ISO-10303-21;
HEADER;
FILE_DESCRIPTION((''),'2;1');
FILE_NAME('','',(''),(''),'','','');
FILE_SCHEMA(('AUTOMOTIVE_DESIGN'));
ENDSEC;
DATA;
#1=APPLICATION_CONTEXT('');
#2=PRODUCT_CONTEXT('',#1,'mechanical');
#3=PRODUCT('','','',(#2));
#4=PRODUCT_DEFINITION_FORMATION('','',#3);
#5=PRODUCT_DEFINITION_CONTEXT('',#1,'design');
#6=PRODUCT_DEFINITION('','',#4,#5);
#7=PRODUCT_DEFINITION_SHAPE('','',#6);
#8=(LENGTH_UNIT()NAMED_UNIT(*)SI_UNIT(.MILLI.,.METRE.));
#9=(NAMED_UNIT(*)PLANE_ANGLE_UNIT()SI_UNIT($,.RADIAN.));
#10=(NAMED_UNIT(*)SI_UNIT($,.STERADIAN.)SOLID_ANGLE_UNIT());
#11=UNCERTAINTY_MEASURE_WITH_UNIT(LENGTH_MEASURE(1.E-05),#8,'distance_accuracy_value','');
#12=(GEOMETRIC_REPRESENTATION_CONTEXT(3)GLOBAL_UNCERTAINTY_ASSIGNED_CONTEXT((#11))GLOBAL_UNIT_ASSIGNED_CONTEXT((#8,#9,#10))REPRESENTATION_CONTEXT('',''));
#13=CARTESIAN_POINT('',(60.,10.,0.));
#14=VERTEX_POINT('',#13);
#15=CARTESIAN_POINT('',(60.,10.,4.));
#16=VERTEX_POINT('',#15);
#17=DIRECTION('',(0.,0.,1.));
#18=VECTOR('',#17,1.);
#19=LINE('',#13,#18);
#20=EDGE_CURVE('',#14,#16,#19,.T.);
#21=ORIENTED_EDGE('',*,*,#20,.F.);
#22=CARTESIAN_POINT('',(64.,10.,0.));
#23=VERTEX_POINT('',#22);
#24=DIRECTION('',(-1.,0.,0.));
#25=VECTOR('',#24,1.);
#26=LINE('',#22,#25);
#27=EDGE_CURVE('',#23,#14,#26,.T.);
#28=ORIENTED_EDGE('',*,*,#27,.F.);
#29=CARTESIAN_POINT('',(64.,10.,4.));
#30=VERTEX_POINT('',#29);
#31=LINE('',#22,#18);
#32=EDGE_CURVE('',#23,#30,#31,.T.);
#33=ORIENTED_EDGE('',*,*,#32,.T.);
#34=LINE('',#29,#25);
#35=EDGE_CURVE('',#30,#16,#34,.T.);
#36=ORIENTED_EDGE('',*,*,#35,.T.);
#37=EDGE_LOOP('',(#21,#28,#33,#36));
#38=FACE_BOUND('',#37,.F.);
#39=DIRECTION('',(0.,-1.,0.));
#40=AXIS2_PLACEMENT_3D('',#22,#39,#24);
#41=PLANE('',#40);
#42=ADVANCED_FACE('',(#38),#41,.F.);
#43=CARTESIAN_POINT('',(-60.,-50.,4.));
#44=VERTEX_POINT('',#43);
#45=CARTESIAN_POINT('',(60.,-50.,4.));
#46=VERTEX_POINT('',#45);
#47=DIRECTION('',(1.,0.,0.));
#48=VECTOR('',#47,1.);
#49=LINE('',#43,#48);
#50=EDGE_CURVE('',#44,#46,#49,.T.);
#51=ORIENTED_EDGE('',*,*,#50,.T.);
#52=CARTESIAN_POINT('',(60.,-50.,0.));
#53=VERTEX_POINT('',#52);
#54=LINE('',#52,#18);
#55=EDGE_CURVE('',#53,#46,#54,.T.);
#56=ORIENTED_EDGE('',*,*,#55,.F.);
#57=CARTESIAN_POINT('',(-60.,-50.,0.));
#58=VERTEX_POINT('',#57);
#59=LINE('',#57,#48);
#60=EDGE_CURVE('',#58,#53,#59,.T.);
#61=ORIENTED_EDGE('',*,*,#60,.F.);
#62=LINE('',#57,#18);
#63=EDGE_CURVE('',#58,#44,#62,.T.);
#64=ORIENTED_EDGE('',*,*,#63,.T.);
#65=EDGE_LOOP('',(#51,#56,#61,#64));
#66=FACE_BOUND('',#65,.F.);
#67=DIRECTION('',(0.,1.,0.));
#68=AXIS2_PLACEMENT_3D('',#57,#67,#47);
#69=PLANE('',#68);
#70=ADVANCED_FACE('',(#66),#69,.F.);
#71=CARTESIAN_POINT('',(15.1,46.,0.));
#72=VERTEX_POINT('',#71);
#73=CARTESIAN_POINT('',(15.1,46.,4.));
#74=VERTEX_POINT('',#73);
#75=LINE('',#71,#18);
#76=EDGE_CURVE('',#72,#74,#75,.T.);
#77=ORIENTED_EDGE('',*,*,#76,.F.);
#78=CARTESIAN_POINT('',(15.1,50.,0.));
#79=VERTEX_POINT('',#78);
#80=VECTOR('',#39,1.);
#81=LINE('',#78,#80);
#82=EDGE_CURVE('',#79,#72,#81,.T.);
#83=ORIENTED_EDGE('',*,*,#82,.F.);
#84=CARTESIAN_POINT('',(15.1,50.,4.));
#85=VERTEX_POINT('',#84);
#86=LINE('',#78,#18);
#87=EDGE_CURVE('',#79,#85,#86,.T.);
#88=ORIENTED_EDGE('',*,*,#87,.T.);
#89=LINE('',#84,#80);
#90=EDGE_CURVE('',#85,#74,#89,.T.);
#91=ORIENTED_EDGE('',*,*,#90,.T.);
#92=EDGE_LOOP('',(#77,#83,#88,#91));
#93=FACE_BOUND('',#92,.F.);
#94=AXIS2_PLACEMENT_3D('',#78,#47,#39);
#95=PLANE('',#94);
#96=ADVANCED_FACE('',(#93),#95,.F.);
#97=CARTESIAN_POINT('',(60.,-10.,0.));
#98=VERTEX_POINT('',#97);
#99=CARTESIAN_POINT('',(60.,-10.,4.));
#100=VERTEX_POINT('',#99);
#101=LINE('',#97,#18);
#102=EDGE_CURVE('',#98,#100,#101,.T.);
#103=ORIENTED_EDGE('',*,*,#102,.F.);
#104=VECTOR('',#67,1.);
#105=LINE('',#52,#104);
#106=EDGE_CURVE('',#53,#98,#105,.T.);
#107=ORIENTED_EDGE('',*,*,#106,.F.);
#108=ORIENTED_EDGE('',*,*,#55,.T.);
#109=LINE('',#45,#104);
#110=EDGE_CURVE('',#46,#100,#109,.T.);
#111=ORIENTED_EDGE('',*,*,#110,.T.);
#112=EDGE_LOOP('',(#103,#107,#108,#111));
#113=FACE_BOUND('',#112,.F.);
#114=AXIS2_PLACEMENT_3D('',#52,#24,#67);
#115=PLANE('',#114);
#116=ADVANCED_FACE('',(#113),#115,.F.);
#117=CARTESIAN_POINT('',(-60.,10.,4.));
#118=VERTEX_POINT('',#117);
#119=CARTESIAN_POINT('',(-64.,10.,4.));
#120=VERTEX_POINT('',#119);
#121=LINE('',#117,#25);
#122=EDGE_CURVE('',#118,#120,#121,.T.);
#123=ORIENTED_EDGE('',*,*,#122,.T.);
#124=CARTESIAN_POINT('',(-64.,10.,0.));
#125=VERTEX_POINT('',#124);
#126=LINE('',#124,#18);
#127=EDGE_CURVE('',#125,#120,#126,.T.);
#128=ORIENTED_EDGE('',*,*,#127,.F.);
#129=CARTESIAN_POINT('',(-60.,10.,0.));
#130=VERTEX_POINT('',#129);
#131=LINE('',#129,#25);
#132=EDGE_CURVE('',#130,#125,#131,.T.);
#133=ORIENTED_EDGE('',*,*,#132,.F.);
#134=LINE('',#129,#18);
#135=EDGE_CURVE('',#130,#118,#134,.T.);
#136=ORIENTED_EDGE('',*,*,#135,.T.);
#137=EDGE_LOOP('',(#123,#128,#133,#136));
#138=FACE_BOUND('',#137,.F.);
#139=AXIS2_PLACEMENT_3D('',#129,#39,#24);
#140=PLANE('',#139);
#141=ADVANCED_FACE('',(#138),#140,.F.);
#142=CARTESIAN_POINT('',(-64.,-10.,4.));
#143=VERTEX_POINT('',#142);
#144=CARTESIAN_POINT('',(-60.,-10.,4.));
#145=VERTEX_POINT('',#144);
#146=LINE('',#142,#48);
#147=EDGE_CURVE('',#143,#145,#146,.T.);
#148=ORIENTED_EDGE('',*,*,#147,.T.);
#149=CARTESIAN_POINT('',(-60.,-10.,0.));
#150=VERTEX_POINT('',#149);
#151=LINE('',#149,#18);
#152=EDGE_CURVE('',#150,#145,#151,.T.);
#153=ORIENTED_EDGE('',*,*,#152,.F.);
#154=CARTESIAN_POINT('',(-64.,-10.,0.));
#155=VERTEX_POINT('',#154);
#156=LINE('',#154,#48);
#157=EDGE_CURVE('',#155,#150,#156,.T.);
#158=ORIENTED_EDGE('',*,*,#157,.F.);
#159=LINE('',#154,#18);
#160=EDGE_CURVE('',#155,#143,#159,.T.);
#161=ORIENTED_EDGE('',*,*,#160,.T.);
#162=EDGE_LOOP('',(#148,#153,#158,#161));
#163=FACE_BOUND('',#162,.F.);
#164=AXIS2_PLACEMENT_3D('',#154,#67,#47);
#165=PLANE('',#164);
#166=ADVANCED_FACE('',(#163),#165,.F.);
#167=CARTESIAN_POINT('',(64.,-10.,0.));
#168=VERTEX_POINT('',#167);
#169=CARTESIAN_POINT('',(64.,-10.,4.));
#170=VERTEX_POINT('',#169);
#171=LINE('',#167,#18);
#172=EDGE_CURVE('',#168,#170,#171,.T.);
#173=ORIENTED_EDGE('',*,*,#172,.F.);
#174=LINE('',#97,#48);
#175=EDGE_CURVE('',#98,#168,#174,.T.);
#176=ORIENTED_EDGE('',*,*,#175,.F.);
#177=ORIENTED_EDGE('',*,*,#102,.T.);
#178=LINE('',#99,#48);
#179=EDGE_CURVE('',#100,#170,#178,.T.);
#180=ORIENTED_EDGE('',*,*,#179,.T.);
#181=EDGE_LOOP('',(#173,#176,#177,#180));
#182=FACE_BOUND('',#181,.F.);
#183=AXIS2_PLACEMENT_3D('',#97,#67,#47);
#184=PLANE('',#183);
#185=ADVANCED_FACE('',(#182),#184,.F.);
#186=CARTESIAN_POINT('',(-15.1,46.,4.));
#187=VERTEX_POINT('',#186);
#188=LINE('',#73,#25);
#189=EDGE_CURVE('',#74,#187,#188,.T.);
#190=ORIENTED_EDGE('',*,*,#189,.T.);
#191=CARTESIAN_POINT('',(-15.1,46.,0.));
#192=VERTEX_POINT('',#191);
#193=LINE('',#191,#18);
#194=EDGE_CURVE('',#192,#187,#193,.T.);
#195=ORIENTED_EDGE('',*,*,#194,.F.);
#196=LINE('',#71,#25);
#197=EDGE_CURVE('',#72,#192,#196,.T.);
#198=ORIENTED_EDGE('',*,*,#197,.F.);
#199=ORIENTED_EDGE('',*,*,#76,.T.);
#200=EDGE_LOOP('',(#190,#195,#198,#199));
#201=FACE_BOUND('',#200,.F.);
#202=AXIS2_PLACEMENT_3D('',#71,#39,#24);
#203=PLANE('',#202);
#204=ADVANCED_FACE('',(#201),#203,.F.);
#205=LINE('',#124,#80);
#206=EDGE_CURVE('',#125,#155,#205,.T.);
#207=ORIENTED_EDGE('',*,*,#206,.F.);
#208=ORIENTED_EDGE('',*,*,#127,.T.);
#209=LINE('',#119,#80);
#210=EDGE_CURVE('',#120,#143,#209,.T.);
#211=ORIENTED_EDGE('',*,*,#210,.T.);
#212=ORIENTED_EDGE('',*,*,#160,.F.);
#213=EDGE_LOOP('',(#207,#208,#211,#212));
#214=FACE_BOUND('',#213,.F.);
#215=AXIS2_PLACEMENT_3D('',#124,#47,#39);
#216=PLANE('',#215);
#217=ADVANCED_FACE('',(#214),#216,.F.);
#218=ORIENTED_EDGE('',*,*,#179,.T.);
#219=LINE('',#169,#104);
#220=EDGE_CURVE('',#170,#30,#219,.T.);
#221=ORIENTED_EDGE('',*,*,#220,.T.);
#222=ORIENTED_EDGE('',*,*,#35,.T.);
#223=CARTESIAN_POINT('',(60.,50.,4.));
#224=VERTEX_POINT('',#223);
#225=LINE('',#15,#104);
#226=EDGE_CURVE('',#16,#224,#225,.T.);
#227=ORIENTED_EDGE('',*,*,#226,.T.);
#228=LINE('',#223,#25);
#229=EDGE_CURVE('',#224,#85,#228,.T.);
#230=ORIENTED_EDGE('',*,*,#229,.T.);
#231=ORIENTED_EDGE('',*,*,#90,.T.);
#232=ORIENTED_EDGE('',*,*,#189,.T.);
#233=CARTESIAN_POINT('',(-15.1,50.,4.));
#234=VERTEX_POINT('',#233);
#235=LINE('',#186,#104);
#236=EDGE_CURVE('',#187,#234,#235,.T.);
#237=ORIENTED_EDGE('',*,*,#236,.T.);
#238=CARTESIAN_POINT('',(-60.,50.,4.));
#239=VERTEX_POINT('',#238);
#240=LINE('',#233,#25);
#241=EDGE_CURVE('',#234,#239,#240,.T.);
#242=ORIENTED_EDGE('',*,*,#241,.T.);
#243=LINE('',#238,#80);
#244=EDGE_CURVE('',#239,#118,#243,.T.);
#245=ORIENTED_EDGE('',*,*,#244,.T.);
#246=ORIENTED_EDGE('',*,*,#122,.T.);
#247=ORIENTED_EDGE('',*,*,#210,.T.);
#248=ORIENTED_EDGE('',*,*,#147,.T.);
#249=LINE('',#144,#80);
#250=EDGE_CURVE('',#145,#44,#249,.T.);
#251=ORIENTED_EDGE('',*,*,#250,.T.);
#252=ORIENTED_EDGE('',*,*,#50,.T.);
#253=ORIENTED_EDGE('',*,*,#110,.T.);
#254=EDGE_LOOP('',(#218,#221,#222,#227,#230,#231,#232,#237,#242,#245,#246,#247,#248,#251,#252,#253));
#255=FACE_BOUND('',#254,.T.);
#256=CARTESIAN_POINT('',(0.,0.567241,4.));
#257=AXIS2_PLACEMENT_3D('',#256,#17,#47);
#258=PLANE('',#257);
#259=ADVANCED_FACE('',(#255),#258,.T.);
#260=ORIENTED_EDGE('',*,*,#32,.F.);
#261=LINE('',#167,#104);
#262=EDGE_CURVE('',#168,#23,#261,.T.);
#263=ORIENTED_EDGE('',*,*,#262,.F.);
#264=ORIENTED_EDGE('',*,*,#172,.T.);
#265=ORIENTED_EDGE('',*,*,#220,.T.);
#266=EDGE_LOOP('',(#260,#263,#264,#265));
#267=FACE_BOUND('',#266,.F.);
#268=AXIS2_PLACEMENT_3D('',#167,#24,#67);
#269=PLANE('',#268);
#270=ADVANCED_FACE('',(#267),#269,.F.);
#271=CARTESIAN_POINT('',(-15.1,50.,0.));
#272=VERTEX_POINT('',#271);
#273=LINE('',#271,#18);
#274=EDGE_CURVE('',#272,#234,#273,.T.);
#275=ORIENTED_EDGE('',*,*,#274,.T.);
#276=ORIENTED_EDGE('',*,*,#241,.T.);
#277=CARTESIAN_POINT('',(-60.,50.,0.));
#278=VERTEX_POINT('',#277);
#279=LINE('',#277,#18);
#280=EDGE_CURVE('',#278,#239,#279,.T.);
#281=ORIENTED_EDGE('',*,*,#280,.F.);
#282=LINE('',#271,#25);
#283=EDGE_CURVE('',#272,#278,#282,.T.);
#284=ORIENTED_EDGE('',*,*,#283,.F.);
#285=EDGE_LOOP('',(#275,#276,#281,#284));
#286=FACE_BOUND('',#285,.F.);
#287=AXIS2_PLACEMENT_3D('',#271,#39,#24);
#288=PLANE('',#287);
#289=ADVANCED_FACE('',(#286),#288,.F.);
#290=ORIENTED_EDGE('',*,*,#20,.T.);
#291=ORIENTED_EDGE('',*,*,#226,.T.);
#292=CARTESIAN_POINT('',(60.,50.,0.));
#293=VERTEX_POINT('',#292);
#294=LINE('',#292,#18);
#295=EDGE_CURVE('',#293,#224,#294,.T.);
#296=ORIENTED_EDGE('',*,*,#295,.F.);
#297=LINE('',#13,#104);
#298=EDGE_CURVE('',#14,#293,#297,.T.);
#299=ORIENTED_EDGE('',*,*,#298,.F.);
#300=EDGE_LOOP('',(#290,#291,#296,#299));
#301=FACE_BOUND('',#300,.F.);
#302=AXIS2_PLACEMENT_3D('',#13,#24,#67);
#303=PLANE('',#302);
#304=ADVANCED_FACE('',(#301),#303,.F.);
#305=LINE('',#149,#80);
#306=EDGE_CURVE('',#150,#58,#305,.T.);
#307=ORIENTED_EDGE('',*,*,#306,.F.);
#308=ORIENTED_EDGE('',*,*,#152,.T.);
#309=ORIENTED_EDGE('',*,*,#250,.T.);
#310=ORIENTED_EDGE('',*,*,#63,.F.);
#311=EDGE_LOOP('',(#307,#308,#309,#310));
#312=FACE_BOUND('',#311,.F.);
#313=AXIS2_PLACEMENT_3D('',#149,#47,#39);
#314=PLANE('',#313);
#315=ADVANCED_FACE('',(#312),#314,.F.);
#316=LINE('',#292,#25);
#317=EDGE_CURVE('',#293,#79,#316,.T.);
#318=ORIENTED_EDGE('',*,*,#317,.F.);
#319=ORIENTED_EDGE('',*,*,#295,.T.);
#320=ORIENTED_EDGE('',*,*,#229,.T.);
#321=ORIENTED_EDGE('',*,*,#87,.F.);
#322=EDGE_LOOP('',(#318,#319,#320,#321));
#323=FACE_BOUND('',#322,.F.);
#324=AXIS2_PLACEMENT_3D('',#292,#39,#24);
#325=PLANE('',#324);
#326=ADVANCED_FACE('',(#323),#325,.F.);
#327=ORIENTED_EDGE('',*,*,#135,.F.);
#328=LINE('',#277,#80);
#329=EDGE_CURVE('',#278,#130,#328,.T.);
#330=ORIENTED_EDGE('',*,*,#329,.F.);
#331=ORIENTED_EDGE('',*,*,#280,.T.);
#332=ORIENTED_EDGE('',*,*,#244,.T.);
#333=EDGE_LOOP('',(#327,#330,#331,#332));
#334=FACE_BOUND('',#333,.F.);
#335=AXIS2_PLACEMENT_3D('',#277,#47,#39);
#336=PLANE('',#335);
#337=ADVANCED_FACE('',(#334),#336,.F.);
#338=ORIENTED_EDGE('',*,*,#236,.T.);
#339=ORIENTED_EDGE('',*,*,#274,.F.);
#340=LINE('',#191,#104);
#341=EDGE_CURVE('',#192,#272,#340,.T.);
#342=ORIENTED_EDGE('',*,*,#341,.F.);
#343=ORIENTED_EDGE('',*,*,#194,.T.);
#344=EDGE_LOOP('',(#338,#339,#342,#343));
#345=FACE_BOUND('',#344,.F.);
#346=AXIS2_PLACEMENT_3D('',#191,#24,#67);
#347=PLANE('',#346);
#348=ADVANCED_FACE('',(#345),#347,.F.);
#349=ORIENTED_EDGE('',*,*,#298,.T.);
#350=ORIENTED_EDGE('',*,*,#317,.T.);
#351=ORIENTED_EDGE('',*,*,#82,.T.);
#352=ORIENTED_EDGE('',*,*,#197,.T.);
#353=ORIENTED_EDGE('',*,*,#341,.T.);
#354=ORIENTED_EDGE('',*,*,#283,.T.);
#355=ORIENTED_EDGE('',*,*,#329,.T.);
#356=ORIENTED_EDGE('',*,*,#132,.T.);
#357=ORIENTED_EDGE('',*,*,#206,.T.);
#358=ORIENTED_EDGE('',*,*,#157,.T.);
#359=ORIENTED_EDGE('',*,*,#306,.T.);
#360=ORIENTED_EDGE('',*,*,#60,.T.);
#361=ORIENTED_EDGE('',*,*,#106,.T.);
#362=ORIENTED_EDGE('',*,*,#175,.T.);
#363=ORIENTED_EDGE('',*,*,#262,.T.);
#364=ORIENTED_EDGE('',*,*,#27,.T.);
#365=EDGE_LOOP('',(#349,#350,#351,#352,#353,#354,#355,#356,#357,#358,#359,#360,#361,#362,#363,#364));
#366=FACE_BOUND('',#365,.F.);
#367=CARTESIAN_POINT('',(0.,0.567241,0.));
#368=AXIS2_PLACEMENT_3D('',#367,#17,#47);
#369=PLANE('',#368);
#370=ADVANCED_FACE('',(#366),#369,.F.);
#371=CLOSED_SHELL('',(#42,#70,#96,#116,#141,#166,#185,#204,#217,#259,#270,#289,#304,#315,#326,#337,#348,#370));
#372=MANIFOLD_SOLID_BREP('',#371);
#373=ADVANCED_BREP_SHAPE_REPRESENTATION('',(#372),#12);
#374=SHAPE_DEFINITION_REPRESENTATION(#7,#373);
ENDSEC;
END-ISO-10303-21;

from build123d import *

# Parameters (mm, degrees)
F1_DEPTH = 4


with BuildPart() as f1:
    # F0 (on Top) → F1 (new body)
    with BuildSketch(Plane.XY):
        Polygon((-15.1, 50), (-60, 50), (-60, 10), (-64, 10), (-64, -10), (-60, -10), (-60, -50), (60, -50), (60, -10), (64, -10), (64, 10), (60, 10), (60, 50), (15.1, 50), (15.1, 46), (-15.1, 46), align=None)
    extrude(amount=F1_DEPTH)


solid = f1.part
